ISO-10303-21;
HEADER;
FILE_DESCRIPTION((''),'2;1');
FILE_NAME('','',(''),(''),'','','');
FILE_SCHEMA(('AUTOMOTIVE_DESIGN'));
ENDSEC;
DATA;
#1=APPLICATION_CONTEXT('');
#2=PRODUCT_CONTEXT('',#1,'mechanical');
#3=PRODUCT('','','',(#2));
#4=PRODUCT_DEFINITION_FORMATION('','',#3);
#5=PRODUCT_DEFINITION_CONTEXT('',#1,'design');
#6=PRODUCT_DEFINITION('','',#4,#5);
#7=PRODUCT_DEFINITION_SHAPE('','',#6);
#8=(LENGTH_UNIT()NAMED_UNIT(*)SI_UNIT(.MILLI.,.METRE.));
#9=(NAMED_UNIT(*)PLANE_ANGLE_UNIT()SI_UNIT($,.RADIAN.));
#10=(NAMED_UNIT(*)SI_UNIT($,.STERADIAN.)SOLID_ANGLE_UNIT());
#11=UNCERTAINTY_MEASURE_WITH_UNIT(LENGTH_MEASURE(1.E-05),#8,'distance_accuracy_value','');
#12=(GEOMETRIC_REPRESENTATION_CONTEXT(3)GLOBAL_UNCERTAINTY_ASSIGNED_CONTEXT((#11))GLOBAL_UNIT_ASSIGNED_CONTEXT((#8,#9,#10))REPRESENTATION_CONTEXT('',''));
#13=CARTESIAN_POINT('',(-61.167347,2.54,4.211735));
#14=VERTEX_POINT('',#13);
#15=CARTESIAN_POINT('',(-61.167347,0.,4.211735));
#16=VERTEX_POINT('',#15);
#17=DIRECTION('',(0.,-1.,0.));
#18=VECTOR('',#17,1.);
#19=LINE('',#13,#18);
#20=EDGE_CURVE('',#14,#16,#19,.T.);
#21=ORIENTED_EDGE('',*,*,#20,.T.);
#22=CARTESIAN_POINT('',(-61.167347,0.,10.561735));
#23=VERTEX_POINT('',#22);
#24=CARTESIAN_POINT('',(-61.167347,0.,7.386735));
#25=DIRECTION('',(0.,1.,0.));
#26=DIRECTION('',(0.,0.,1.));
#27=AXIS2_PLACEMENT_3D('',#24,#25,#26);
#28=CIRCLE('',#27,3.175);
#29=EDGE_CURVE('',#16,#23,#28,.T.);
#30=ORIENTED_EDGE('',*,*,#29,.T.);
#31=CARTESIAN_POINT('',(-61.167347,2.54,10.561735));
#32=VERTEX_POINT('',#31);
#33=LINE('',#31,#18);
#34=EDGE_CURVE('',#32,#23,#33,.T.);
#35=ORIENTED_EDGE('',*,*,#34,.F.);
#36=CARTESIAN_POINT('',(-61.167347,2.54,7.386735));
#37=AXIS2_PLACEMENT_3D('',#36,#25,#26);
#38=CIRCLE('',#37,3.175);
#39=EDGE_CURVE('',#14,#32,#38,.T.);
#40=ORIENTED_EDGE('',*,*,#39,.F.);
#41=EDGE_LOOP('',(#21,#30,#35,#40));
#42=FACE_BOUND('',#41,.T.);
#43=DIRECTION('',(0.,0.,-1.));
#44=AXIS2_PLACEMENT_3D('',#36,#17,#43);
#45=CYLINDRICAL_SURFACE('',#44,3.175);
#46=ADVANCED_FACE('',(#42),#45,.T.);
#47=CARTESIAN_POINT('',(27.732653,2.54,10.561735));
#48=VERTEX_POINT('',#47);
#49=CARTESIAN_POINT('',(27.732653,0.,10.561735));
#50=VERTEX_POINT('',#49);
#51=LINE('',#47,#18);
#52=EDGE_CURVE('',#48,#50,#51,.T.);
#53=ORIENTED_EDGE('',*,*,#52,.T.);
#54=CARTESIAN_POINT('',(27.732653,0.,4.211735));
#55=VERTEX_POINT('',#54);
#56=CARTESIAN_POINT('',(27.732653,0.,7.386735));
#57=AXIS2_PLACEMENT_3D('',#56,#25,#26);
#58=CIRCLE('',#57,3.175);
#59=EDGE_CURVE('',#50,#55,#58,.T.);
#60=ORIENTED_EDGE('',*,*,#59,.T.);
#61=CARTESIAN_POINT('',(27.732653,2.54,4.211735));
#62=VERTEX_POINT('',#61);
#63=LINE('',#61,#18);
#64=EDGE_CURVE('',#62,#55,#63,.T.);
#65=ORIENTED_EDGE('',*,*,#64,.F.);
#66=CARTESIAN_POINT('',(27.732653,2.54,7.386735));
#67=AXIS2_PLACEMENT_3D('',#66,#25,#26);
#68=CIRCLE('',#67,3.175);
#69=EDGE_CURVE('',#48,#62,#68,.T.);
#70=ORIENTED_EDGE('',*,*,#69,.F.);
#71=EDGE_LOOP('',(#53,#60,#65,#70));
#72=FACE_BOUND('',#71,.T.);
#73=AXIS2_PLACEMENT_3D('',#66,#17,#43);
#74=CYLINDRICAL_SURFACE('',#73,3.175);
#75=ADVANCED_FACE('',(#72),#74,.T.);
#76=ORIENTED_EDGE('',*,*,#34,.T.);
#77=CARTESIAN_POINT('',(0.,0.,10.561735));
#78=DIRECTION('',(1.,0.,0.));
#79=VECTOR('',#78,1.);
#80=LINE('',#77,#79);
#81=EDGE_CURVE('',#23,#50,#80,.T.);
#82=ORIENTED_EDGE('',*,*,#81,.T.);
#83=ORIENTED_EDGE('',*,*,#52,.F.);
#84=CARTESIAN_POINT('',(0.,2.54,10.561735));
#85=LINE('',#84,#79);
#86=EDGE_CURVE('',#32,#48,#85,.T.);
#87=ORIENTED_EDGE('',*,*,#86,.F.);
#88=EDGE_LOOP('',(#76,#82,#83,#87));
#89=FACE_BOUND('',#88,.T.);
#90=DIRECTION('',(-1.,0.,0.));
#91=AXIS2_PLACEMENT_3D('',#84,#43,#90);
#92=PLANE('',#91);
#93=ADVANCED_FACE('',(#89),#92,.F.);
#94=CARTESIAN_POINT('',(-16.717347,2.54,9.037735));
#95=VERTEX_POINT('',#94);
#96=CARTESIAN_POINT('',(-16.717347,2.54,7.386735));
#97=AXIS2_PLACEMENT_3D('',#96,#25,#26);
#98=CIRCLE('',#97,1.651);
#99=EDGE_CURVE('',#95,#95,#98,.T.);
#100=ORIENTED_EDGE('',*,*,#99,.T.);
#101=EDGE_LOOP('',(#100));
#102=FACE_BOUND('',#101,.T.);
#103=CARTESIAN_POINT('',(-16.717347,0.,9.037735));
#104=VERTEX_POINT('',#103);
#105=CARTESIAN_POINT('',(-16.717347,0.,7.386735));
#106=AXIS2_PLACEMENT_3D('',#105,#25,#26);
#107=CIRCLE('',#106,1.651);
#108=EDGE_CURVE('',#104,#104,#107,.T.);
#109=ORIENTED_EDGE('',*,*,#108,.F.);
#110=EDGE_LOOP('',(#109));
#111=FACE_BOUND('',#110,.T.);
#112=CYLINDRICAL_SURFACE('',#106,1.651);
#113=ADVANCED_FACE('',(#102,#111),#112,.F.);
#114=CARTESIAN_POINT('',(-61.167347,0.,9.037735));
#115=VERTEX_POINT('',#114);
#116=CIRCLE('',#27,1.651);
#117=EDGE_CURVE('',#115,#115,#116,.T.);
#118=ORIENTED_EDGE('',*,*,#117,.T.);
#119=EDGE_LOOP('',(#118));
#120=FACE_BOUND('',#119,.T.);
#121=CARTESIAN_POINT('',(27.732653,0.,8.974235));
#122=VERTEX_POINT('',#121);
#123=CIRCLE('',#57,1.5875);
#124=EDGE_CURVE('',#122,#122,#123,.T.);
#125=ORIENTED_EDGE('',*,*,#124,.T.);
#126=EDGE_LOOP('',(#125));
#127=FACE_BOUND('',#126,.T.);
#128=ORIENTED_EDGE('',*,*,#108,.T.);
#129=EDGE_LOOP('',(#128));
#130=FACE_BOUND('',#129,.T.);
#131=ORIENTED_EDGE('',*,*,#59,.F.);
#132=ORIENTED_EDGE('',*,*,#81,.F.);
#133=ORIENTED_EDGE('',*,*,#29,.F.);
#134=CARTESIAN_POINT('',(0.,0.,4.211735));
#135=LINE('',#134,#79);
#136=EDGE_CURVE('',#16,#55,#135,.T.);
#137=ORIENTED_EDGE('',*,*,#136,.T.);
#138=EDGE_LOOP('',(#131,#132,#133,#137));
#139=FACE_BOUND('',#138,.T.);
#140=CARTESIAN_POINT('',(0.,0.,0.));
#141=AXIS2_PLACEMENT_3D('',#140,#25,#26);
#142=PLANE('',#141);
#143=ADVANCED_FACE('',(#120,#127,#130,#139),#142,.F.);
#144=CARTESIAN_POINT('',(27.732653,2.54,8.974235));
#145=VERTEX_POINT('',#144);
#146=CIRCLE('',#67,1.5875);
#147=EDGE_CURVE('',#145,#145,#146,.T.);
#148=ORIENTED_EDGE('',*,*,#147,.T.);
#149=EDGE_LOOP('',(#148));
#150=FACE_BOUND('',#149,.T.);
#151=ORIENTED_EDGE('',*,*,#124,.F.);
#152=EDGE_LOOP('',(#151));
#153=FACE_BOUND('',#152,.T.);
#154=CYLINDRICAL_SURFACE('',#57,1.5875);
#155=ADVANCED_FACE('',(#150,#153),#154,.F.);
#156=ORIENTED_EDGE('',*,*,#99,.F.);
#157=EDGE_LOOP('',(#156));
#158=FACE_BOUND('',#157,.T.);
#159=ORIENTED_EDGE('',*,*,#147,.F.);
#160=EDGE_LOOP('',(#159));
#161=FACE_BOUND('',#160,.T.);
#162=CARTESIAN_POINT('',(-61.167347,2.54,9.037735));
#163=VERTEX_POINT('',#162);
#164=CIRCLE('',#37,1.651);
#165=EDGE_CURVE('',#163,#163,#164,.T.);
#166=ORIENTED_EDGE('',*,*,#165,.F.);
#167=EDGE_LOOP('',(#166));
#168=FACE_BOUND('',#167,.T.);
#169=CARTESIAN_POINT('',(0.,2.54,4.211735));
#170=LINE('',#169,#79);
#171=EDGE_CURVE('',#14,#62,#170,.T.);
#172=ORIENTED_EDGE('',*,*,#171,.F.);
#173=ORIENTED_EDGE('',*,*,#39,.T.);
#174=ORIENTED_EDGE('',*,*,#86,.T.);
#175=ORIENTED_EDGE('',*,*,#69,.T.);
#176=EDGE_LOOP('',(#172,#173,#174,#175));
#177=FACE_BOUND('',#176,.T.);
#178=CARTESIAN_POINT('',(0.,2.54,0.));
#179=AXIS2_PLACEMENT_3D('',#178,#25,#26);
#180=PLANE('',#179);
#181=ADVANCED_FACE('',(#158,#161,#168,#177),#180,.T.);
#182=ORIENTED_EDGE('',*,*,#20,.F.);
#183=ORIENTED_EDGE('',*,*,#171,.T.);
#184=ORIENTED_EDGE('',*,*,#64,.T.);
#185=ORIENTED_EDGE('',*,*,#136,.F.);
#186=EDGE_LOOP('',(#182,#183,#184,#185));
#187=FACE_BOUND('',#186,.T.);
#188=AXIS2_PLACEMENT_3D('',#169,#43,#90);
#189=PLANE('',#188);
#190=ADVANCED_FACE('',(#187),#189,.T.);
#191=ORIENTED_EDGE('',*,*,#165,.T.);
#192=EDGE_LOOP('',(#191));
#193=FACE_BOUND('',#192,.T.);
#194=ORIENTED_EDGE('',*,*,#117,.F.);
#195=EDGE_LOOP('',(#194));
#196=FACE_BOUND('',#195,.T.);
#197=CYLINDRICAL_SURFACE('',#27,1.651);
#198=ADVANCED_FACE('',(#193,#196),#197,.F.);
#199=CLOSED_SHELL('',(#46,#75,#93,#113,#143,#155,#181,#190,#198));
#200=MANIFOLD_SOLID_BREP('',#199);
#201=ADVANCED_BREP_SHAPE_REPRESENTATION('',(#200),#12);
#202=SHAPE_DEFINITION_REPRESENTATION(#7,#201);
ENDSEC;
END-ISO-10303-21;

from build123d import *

# Parameters (mm, degrees)
BOSS_EXTRUDE1_DEPTH = 2.54
SKETCH2_R           = 1.651
SKETCH2_R_2         = 1.5875
CUT_EXTRUDE1_DEPTH  = 2.54
SKETCH3_R           = 1.651
CUT_EXTRUDE2_DEPTH  = 2.54


with BuildPart() as part:
    # Sketch1 → Boss-Extrude1 (new body)
    with BuildSketch(Plane(origin=(0, 0, 0), x_dir=(1, 0, 0), z_dir=(0, 1, 0))):
        with BuildLine():
            ThreePointArc((-57.992346939, -7.386734694), (-58.922282909, -5.141670664), (-61.167346939, -4.211734694))
            Line((-61.167346939, -4.211734694), (-61.167346939, -10.561734694))
            ThreePointArc((-61.167346939, -10.561734694), (-58.922282909, -9.631798724), (-57.992346939, -7.386734694))
        make_face()
        with BuildLine():
            Line((-61.167346939, -10.561734694), (-61.167346939, -4.211734694))
            ThreePointArc((-61.167346939, -4.211734694), (-64.342346939, -7.386734694), (-61.167346939, -10.561734694))
        make_face()
        with BuildLine():
            Line((27.732653061, -4.211734694), (-61.167346939, -4.211734694))
            ThreePointArc((-61.167346939, -4.211734694), (-58.922282909, -5.141670664), (-57.992346939, -7.386734694))
            ThreePointArc((-57.992346939, -7.386734694), (-58.922282909, -9.631798724), (-61.167346939, -10.561734694))
            Line((-61.167346939, -10.561734694), (27.732653061, -10.561734694))
            ThreePointArc((27.732653061, -10.561734694), (24.557653061, -7.386734694), (27.732653061, -4.211734694))
        make_face()
        with BuildLine():
            ThreePointArc((30.907653061, -7.386734694), (29.977717091, -5.141670664), (27.732653061, -4.211734694))
            Line((27.732653061, -4.211734694), (27.732653061, -10.561734694))
            ThreePointArc((27.732653061, -10.561734694), (29.977717091, -9.631798724), (30.907653061, -7.386734694))
        make_face()
        with BuildLine():
            Line((27.732653061, -10.561734694), (27.732653061, -4.211734694))
            ThreePointArc((27.732653061, -4.211734694), (24.557653061, -7.386734694), (27.732653061, -10.561734694))
        make_face()
    extrude(amount=BOSS_EXTRUDE1_DEPTH)

    # Sketch2 → Cut-Extrude1 (cut)
    with BuildSketch(Plane(origin=(0, 2.54, 0), x_dir=(1, 0, 0), z_dir=(0, 1, 0))):
        with Locations(Location((-61.167346939, -7.386734694, 0), (0, 0, 270))):
            Circle(SKETCH2_R)
        with Locations(Location((27.732653061, -7.386734694, 0), (0, 0, 270))):
            Circle(SKETCH2_R_2)
    extrude(amount=-CUT_EXTRUDE1_DEPTH, mode=Mode.SUBTRACT)

    # Sketch3 → Cut-Extrude2 (cut)
    with BuildSketch(Plane(origin=(0, 2.54, 0), x_dir=(1, 0, 0), z_dir=(0, 1, 0))):
        with Locations(Location((-16.717346939, -7.386734694, 0), (0, 0, 270))):
            Circle(SKETCH3_R)
    extrude(amount=-CUT_EXTRUDE2_DEPTH, mode=Mode.SUBTRACT)


solid = part.part
